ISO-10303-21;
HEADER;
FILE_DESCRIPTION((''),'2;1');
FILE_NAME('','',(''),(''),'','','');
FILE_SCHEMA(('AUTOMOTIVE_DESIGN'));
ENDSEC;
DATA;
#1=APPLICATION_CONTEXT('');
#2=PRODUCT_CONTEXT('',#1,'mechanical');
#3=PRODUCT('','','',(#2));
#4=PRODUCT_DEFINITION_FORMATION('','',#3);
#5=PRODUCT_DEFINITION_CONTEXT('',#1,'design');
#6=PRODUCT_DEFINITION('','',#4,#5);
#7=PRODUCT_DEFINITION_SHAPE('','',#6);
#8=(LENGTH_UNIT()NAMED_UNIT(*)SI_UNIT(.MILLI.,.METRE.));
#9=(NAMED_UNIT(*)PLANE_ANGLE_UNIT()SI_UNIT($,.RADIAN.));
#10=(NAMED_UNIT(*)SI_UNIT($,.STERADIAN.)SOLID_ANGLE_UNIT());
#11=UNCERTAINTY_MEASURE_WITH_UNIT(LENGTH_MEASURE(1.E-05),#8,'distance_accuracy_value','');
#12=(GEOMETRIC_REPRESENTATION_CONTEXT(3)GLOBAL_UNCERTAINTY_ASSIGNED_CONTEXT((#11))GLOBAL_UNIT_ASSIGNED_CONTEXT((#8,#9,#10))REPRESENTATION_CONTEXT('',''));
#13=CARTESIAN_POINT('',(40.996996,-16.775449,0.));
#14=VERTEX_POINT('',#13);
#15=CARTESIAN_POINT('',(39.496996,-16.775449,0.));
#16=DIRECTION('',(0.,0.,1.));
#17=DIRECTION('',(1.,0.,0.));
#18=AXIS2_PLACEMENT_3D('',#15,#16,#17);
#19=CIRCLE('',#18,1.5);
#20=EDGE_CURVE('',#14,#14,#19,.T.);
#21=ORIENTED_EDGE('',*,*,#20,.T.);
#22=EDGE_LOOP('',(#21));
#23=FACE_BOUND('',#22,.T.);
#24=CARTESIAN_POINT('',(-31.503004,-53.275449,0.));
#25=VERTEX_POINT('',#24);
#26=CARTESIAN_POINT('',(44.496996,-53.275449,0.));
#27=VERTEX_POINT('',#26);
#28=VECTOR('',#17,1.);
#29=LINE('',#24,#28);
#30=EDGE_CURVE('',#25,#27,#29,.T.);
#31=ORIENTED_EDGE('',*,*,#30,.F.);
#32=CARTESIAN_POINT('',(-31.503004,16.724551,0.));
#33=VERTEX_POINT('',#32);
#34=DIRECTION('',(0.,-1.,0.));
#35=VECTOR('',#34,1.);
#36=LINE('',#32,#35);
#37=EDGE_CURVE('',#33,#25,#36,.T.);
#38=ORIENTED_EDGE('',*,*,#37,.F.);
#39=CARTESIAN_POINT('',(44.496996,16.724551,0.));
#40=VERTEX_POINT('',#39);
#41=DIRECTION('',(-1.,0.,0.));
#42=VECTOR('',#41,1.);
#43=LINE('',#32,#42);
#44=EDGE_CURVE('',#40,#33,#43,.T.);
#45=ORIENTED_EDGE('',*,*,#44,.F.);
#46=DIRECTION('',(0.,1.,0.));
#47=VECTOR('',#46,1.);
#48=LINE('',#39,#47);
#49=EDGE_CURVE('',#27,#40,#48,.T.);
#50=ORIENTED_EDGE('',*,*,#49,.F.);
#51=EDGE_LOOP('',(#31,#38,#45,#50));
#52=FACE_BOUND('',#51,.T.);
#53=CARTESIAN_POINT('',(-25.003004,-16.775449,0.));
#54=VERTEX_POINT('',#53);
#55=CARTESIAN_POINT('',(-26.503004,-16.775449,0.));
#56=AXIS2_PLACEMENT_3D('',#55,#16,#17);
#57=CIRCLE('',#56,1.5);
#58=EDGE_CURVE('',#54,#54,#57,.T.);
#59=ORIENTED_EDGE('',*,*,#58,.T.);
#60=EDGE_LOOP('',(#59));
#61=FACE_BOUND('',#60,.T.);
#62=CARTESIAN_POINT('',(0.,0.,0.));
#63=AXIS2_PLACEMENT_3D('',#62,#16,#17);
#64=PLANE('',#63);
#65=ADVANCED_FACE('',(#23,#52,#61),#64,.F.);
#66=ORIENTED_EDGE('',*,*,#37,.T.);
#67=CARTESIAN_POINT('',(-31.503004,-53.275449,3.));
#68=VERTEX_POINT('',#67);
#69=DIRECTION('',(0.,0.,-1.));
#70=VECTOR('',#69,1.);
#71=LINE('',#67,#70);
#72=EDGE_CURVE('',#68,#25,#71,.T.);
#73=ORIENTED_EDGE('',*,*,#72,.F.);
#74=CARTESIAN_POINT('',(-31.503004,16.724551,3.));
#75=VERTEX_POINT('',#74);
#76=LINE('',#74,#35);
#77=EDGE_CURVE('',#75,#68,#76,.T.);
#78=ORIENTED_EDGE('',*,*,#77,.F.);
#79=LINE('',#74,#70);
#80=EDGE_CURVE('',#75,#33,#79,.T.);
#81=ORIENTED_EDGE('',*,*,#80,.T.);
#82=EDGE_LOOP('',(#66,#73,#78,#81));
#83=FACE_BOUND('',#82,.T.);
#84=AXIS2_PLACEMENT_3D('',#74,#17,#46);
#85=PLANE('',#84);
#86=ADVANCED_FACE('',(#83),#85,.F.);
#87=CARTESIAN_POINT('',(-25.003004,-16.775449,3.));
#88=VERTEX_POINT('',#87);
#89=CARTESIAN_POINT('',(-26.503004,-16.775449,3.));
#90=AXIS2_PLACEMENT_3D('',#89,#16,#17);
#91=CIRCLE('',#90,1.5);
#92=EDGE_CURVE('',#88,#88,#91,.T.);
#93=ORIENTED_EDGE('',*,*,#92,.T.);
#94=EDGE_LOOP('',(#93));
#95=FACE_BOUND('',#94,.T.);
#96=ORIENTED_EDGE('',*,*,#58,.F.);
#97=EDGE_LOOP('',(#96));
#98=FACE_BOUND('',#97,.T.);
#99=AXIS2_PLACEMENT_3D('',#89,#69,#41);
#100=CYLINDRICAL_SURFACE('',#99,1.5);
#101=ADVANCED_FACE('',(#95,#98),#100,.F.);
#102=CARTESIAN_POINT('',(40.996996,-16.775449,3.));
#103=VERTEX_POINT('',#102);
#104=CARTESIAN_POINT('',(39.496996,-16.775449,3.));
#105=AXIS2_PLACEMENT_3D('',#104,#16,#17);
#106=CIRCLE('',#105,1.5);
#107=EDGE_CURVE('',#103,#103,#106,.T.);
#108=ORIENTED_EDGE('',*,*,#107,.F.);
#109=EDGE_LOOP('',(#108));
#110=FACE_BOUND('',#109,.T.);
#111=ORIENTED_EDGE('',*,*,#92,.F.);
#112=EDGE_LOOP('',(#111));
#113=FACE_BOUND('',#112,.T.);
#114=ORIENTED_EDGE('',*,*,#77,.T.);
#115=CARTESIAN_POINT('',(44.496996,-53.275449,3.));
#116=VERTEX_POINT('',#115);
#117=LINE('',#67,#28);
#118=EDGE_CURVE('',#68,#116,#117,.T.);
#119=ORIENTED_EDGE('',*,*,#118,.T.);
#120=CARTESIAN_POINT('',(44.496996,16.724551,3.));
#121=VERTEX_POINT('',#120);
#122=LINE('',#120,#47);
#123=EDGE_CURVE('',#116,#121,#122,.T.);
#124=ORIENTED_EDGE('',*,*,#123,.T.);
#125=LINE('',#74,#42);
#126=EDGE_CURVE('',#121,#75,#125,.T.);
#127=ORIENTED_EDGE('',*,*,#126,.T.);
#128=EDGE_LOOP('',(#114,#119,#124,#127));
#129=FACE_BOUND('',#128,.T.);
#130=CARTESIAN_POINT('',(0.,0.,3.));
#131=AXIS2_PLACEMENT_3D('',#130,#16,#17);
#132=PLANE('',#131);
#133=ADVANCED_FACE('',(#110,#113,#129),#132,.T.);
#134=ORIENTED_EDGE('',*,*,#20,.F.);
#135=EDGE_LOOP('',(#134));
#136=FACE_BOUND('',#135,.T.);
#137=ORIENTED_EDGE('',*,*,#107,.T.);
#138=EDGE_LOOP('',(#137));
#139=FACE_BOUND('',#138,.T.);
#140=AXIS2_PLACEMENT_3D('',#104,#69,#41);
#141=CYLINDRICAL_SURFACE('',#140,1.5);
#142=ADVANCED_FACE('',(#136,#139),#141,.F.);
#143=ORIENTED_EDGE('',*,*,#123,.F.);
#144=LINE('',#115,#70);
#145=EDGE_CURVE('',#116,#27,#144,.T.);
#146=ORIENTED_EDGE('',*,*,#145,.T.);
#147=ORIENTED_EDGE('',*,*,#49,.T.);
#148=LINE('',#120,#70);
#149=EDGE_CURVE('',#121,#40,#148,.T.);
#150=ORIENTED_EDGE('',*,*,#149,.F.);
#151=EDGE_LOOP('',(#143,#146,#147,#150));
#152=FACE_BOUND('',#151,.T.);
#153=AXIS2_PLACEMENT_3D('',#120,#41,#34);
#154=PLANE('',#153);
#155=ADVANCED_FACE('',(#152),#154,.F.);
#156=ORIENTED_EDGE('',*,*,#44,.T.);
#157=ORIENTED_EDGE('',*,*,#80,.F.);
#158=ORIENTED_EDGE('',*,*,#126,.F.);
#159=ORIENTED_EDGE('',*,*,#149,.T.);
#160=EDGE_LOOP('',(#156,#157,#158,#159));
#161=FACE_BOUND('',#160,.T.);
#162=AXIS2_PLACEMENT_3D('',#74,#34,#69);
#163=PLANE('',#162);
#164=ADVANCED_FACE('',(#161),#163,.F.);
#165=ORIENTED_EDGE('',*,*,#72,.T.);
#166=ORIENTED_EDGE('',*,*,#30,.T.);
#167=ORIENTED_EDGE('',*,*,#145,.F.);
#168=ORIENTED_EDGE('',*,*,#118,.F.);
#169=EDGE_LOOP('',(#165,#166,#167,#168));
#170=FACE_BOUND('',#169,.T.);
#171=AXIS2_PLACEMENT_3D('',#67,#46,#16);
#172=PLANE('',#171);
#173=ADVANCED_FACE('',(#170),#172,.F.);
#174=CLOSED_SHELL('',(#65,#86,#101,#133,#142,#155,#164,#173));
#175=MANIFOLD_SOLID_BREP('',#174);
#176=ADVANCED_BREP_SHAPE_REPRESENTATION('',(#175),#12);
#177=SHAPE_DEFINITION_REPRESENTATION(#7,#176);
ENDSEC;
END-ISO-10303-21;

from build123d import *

# Parameters (mm, degrees)
ESQUISSE1_W        = 76
ESQUISSE1_H        = 70
ESQUISSE1_R        = 1.5
BOSS_EXTRU_1_DEPTH = 3


with BuildPart() as part:
    # Esquisse1 → Boss.-Extru.1 (new body)
    with BuildSketch(Plane.XY):
        with Locations((6.496995991, -18.275449102)):
            Rectangle(ESQUISSE1_W, ESQUISSE1_H)
        with Locations((-26.503004009, -16.775449102)):
            Circle(ESQUISSE1_R, mode=Mode.SUBTRACT)
        with Locations((39.496995991, -16.775449102)):
            Circle(ESQUISSE1_R, mode=Mode.SUBTRACT)
    extrude(amount=BOSS_EXTRU_1_DEPTH)


solid = part.part
